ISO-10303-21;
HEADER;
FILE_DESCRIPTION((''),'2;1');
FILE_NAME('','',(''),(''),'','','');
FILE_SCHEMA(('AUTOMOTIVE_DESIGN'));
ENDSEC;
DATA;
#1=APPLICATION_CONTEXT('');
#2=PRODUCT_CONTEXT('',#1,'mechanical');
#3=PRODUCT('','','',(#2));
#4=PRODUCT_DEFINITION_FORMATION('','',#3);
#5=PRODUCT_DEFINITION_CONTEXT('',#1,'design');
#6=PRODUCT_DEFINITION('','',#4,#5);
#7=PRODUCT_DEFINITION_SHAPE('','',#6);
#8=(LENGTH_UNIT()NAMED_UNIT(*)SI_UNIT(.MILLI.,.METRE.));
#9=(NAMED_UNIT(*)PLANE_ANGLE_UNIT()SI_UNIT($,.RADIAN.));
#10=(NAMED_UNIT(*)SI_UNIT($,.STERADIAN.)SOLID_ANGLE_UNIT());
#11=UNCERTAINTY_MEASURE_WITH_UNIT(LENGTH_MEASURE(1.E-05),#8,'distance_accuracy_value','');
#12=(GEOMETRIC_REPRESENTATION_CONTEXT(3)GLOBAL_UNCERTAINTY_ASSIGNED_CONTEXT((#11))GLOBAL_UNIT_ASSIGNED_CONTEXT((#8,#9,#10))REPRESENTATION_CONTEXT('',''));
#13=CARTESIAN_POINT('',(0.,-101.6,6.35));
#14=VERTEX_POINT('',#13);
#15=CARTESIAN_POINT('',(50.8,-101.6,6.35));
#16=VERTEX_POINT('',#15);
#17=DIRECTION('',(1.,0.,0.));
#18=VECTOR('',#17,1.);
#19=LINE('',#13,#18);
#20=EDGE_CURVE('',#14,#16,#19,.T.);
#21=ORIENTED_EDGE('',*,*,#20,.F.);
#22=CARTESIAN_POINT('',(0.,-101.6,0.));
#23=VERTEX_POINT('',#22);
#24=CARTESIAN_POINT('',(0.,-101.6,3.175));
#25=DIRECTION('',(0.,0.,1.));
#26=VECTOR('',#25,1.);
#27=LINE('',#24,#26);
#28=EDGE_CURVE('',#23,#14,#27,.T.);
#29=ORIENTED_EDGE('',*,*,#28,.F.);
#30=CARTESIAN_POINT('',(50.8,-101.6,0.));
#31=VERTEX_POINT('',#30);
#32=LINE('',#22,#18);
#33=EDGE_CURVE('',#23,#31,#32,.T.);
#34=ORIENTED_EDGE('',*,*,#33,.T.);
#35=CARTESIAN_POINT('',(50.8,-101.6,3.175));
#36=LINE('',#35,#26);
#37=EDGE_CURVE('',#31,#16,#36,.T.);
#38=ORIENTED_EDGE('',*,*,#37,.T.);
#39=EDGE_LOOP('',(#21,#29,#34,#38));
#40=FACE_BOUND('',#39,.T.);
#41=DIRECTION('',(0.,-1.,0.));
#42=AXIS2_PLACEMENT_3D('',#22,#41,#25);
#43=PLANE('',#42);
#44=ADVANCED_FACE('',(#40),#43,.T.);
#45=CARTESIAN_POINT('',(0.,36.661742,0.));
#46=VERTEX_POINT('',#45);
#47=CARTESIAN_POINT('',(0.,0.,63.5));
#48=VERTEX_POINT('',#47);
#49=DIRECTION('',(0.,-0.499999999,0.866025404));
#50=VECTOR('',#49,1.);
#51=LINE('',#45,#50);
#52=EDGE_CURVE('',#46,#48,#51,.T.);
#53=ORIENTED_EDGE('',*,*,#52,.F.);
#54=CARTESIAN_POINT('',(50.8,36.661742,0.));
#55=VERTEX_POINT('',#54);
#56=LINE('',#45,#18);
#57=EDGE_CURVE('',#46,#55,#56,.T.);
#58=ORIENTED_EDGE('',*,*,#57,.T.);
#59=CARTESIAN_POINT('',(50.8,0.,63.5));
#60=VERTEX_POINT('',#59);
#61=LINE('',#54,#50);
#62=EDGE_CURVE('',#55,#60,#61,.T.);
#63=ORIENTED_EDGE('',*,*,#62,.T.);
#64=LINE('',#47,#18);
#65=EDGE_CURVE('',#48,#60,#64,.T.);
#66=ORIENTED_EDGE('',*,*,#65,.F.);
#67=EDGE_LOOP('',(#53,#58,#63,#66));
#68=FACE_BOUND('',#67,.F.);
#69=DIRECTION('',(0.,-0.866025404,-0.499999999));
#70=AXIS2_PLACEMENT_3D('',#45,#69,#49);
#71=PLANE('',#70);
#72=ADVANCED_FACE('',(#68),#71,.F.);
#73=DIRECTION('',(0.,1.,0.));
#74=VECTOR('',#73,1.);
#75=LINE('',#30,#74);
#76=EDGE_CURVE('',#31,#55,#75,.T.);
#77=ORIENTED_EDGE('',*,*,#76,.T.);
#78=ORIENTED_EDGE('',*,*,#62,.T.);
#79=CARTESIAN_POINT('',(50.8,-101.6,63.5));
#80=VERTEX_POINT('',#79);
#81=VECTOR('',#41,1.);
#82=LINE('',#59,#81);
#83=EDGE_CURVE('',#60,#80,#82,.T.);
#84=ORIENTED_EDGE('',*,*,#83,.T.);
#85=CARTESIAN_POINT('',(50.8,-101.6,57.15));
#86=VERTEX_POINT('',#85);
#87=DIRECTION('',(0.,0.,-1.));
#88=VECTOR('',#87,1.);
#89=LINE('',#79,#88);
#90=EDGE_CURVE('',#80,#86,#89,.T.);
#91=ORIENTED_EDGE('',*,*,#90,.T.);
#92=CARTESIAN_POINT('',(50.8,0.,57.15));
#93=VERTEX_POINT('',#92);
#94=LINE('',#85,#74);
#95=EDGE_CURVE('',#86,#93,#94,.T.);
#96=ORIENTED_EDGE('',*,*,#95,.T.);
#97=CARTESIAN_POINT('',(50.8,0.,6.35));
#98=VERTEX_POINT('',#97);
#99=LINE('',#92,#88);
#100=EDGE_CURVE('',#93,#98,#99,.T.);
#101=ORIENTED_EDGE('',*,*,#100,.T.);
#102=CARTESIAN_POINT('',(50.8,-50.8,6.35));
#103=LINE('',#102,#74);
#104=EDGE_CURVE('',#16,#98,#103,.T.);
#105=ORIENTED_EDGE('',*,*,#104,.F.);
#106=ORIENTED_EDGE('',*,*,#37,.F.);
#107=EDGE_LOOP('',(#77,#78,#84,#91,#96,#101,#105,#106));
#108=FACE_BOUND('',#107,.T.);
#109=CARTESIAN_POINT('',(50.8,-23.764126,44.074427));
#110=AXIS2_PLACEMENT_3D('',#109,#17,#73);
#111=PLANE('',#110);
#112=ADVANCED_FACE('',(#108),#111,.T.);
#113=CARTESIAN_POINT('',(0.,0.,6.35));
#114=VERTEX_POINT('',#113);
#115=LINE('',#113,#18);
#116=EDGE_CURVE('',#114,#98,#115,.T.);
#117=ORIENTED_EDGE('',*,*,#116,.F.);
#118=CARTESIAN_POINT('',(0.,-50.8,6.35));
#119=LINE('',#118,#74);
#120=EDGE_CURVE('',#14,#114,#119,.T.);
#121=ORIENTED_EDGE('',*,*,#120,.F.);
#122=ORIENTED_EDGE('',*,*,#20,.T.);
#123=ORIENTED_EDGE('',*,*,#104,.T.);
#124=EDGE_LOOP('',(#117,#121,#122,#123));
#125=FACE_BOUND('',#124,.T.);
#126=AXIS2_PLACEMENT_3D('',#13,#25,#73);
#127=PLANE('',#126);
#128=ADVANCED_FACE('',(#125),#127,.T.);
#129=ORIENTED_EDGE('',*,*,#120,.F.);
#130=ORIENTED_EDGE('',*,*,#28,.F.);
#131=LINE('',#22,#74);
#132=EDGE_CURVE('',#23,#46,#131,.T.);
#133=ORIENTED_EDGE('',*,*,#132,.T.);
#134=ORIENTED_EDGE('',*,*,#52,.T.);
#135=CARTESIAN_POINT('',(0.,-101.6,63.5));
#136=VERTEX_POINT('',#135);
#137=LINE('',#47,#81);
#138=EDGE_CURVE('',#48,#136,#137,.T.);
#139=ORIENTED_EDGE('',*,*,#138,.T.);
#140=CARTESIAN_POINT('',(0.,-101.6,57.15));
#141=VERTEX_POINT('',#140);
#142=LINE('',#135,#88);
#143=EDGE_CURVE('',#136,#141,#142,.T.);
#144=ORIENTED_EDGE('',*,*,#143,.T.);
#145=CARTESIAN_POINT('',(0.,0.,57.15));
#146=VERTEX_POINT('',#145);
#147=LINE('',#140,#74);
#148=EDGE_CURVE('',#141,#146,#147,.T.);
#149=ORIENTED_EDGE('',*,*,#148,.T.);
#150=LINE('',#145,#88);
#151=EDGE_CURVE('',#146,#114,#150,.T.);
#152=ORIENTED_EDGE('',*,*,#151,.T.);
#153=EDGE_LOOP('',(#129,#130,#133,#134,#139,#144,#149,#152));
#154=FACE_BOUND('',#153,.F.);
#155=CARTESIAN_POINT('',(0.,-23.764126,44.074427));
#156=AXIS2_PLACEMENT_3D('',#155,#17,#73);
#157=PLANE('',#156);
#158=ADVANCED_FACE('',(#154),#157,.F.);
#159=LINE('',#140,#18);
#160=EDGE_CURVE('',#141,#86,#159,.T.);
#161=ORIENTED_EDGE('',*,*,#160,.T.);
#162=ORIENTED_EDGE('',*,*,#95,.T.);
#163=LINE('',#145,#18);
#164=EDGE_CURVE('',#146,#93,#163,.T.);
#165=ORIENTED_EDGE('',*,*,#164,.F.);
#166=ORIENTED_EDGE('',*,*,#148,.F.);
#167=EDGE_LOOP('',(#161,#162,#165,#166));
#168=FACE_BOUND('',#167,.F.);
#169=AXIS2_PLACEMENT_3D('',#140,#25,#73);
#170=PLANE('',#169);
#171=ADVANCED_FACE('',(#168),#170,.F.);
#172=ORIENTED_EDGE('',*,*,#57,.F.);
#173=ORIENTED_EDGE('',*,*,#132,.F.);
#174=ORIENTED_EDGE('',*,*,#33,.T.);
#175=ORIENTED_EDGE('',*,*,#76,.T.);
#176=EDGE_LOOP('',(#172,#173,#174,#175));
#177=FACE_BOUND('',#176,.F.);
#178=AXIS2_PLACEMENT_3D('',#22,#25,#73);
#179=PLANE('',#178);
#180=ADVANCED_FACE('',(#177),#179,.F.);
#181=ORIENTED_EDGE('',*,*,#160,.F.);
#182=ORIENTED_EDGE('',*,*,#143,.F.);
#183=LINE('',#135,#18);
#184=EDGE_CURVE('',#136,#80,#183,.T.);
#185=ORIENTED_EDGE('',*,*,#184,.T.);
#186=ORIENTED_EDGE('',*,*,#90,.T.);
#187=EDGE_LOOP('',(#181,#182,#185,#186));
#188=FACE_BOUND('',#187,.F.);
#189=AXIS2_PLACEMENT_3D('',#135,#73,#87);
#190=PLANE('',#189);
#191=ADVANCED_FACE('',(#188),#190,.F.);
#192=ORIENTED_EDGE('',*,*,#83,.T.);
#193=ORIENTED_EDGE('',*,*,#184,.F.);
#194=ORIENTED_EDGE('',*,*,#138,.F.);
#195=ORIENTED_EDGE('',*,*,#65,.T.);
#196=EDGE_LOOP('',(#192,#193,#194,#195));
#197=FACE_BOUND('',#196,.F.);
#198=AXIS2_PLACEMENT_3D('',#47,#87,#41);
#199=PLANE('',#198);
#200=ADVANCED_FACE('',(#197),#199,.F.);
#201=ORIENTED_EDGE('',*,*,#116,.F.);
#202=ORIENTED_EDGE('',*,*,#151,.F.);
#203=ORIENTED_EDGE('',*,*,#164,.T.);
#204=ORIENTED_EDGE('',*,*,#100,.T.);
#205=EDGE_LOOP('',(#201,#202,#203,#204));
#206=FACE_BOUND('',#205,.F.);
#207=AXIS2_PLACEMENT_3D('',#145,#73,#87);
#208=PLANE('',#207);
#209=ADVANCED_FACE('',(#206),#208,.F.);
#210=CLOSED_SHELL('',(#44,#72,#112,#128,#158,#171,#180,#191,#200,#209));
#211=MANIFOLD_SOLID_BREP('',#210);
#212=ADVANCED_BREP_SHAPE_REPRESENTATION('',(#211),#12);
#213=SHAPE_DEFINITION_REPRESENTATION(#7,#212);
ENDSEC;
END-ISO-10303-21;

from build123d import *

# Parameters (mm, degrees)
F0_W     = 101.6
F0_H     = 6.35
F1_DEPTH = 50.8


with BuildPart() as f1:
    # F0 (on Right) → F1 (new body)
    with BuildSketch(Plane.YZ):
        Polygon((0, 6.35), (0, 0), (36.661742, 0), (0, 63.5), (-101.6, 63.5), (-101.6, 57.15), (0, 57.15), align=None)
        with Locations((-50.8, 3.175)):
            Rectangle(F0_W, F0_H)
    extrude(amount=F1_DEPTH)


solid = f1.part
